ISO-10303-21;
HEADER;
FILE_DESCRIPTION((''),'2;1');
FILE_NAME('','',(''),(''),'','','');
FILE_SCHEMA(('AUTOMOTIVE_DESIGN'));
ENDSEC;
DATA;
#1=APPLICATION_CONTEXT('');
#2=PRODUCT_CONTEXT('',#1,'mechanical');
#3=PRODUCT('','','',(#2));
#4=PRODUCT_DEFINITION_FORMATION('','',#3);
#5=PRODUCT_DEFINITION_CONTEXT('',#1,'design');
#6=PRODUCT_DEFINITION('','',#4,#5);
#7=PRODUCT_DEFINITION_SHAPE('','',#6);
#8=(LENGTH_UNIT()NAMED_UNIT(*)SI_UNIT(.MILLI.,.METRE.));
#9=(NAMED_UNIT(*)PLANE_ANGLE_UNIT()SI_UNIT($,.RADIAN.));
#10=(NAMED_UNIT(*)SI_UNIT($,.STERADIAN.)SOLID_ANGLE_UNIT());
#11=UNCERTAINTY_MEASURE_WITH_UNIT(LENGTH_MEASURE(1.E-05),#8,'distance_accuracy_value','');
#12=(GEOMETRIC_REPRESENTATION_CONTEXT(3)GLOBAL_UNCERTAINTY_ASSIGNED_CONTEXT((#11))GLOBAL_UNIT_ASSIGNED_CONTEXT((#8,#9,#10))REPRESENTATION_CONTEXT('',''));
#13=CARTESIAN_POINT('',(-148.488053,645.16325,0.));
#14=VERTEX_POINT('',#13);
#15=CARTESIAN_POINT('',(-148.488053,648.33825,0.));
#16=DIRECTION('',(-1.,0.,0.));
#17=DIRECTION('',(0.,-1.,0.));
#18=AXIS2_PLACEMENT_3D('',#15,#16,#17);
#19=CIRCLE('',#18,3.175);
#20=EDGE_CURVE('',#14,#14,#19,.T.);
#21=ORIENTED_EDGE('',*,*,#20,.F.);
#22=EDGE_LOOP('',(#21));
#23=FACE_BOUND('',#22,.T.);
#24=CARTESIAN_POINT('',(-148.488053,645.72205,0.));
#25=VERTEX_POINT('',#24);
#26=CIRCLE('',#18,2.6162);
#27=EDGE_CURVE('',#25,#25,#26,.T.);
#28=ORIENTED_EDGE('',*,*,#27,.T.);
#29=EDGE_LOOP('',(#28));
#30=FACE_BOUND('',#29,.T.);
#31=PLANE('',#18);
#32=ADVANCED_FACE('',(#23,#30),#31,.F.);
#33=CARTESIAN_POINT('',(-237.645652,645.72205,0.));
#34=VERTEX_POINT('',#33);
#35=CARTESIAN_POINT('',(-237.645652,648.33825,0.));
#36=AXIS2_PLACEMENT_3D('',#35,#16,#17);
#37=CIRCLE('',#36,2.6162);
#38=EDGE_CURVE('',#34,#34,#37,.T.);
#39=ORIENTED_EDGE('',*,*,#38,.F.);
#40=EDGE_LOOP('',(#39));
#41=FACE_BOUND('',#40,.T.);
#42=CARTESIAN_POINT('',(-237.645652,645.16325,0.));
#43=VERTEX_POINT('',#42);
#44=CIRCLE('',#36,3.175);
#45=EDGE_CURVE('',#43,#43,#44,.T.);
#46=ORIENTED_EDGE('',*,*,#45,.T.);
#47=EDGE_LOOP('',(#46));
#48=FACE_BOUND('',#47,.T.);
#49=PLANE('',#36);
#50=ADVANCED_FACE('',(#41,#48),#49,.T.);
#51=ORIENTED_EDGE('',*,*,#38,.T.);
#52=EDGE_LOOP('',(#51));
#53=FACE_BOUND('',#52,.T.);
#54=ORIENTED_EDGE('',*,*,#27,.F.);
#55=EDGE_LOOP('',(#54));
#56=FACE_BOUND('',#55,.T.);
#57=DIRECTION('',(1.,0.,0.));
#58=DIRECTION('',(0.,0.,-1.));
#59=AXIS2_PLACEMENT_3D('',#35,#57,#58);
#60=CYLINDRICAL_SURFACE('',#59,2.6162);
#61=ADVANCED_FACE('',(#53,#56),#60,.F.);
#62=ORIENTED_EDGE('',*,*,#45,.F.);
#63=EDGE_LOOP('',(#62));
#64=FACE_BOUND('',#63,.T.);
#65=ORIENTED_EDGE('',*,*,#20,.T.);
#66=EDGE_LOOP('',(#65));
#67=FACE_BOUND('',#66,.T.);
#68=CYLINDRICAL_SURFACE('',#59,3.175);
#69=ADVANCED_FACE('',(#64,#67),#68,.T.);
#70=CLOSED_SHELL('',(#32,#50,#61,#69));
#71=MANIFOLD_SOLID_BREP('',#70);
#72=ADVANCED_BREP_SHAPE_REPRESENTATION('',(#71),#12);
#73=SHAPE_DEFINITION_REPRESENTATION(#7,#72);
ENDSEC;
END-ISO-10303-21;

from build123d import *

# Parameters (mm, degrees)
SKETCH1_R               = 3.175
SKETCH1_R_2             = 2.6162
PIPE_0_5_SCH_40_1_DEPTH = 89.157598779


with BuildPart() as part:
    # Sketch1 → Pipe 0.5 SCH 40(1) (new body)
    with BuildSketch(Plane(origin=(-148.488053197, 648.338249624, 0), x_dir=(0, -1, 0), z_dir=(-1, 0, 0))):
        Circle(SKETCH1_R)
        Circle(SKETCH1_R_2, mode=Mode.SUBTRACT)
    extrude(amount=PIPE_0_5_SCH_40_1_DEPTH)


solid = part.part
